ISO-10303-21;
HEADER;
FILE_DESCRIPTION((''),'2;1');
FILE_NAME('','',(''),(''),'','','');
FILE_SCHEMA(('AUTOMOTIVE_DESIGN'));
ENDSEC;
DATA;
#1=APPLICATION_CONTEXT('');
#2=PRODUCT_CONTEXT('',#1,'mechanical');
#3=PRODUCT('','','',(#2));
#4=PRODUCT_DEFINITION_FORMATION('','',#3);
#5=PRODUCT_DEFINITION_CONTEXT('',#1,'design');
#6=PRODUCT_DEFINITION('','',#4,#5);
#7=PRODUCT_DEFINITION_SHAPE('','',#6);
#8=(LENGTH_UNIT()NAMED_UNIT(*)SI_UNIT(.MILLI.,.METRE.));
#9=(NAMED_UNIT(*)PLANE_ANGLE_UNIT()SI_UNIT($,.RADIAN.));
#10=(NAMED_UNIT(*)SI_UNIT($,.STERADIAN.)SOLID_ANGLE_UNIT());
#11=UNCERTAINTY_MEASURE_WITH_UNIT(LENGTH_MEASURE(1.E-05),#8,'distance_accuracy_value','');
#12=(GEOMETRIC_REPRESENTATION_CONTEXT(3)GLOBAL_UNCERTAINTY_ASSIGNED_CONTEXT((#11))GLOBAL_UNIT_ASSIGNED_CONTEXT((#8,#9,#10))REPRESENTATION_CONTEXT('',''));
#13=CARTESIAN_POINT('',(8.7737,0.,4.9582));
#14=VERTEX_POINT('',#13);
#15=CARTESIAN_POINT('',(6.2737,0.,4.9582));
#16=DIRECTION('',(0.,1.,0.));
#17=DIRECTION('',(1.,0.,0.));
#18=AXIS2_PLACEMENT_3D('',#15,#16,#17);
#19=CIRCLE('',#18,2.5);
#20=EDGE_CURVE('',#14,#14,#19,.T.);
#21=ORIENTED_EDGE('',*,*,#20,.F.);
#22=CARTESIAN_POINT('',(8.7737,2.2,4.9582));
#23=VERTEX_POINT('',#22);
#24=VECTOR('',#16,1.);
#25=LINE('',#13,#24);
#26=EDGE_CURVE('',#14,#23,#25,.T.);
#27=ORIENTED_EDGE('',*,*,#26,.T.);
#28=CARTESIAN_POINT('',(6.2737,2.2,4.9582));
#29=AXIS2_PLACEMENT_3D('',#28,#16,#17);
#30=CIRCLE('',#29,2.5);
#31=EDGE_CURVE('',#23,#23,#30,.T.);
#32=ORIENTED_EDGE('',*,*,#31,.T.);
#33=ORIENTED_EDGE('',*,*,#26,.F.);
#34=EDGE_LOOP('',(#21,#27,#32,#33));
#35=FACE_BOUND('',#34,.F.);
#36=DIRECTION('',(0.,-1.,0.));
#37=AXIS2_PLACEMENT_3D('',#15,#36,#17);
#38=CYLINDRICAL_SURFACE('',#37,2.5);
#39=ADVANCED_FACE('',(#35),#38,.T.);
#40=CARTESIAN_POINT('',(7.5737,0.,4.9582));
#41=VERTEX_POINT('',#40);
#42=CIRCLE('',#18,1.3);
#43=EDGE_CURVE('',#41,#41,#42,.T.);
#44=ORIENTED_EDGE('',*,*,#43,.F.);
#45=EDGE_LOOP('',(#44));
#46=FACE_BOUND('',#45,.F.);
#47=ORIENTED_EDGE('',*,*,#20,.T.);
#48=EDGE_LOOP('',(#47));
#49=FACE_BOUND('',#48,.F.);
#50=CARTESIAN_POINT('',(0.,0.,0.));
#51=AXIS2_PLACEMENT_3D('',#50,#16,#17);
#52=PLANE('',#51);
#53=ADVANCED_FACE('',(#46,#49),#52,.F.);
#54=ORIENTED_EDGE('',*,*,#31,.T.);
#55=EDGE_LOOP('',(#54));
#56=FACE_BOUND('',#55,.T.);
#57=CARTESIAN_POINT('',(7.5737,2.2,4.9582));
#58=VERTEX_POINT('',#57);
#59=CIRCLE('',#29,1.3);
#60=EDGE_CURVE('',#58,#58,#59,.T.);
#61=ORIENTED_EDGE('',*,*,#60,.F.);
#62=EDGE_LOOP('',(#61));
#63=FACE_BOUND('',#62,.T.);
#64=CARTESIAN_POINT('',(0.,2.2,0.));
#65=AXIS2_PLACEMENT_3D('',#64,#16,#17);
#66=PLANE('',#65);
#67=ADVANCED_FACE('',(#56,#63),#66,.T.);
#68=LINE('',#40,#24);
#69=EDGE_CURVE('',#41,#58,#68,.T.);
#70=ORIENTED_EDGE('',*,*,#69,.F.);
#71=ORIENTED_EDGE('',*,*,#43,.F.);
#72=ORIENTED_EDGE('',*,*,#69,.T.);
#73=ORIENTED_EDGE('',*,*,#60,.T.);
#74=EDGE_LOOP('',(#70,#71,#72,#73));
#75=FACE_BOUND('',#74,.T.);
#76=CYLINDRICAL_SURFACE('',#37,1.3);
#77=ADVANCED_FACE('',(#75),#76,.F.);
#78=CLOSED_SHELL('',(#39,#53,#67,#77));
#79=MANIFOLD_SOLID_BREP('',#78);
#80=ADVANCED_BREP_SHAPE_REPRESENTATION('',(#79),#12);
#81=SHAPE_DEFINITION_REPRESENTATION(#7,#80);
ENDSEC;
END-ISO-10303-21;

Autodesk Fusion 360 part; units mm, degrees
sketch "Eskiz1" plane through (0, 0, 0) normal (0, 1, 0) x (1, 0, 0)
  circle A0 centre (6.2737, -4.9582) radius 1.3
  circle A1 centre (6.2737, -4.9582) radius 2.5
  dimension "d1" = 2.6
  dimension "d2" = 5
extrude "Ekstrüde Et1" add sketch "Eskiz1" along normal blind 2.2
